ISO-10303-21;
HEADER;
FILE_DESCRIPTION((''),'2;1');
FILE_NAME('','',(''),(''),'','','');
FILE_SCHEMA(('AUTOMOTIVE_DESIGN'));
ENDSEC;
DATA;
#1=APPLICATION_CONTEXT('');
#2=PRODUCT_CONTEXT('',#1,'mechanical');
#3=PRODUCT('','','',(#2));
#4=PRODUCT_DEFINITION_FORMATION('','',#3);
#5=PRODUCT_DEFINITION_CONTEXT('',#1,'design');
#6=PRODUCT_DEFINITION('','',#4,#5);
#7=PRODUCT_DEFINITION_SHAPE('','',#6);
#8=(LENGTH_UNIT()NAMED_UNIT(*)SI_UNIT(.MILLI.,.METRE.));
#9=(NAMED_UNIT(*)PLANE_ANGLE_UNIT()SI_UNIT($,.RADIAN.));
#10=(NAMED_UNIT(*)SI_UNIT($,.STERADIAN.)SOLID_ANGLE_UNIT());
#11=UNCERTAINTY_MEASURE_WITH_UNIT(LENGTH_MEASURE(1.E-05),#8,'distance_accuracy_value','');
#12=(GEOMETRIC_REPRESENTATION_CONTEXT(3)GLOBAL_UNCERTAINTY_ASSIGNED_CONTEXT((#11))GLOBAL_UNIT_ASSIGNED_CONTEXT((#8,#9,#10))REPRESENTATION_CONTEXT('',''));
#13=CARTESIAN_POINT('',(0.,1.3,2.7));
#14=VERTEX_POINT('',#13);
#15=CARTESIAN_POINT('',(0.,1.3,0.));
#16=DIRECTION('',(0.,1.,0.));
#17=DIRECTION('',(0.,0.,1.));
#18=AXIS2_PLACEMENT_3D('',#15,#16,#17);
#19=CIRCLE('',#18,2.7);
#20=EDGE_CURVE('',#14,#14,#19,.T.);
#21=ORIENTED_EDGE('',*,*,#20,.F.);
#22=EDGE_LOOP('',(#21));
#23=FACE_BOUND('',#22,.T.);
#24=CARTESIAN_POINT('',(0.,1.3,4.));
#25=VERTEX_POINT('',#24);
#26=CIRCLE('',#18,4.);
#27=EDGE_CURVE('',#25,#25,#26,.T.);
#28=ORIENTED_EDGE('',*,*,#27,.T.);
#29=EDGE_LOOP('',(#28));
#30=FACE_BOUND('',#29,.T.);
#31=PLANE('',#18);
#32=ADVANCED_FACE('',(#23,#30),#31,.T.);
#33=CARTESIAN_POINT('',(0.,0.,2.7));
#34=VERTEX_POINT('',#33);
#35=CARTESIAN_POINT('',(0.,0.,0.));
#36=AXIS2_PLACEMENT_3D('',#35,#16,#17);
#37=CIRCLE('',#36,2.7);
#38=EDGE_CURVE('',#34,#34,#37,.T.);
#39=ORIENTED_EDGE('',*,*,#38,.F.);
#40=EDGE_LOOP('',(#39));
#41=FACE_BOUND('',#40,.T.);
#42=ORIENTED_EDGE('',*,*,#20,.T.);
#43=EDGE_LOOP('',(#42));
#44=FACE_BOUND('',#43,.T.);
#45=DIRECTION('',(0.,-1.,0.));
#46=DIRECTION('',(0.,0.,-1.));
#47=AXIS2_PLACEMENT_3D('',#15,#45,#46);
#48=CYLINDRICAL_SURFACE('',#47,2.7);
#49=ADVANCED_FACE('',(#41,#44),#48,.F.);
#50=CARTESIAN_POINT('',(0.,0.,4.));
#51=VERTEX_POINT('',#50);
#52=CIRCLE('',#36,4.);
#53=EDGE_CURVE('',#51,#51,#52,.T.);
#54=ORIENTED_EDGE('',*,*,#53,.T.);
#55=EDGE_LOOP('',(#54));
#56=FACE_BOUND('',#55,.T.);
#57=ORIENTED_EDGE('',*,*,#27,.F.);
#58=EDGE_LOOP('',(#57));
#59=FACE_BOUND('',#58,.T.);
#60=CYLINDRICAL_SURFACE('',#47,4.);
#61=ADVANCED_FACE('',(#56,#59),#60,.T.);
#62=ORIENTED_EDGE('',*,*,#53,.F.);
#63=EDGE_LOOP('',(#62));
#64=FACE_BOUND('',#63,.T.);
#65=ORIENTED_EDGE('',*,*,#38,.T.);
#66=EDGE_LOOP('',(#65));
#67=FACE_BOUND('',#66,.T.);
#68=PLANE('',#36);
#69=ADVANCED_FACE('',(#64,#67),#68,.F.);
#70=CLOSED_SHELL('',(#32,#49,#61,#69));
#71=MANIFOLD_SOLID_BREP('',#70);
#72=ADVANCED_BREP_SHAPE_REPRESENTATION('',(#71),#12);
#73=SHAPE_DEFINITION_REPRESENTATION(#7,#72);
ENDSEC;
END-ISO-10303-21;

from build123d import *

# Parameters (mm, degrees)
SKETCH_1_R      = 4
SKETCH_1_R_2    = 2.7
EXTRUDE_1_DEPTH = 1.3


with BuildPart() as part:
    # 草图1 → 凸台-拉伸1 (new body)
    with BuildSketch(Plane(origin=(0, 0, 0), x_dir=(1, 0, 0), z_dir=(0, 1, 0))):
        with Locations(Location((0, 0, 0), (0, 0, 270))):
            Circle(SKETCH_1_R)
        with Locations(Location((0, 0, 0), (0, 0, 270))):
            Circle(SKETCH_1_R_2, mode=Mode.SUBTRACT)
    extrude(amount=EXTRUDE_1_DEPTH)


solid = part.part
